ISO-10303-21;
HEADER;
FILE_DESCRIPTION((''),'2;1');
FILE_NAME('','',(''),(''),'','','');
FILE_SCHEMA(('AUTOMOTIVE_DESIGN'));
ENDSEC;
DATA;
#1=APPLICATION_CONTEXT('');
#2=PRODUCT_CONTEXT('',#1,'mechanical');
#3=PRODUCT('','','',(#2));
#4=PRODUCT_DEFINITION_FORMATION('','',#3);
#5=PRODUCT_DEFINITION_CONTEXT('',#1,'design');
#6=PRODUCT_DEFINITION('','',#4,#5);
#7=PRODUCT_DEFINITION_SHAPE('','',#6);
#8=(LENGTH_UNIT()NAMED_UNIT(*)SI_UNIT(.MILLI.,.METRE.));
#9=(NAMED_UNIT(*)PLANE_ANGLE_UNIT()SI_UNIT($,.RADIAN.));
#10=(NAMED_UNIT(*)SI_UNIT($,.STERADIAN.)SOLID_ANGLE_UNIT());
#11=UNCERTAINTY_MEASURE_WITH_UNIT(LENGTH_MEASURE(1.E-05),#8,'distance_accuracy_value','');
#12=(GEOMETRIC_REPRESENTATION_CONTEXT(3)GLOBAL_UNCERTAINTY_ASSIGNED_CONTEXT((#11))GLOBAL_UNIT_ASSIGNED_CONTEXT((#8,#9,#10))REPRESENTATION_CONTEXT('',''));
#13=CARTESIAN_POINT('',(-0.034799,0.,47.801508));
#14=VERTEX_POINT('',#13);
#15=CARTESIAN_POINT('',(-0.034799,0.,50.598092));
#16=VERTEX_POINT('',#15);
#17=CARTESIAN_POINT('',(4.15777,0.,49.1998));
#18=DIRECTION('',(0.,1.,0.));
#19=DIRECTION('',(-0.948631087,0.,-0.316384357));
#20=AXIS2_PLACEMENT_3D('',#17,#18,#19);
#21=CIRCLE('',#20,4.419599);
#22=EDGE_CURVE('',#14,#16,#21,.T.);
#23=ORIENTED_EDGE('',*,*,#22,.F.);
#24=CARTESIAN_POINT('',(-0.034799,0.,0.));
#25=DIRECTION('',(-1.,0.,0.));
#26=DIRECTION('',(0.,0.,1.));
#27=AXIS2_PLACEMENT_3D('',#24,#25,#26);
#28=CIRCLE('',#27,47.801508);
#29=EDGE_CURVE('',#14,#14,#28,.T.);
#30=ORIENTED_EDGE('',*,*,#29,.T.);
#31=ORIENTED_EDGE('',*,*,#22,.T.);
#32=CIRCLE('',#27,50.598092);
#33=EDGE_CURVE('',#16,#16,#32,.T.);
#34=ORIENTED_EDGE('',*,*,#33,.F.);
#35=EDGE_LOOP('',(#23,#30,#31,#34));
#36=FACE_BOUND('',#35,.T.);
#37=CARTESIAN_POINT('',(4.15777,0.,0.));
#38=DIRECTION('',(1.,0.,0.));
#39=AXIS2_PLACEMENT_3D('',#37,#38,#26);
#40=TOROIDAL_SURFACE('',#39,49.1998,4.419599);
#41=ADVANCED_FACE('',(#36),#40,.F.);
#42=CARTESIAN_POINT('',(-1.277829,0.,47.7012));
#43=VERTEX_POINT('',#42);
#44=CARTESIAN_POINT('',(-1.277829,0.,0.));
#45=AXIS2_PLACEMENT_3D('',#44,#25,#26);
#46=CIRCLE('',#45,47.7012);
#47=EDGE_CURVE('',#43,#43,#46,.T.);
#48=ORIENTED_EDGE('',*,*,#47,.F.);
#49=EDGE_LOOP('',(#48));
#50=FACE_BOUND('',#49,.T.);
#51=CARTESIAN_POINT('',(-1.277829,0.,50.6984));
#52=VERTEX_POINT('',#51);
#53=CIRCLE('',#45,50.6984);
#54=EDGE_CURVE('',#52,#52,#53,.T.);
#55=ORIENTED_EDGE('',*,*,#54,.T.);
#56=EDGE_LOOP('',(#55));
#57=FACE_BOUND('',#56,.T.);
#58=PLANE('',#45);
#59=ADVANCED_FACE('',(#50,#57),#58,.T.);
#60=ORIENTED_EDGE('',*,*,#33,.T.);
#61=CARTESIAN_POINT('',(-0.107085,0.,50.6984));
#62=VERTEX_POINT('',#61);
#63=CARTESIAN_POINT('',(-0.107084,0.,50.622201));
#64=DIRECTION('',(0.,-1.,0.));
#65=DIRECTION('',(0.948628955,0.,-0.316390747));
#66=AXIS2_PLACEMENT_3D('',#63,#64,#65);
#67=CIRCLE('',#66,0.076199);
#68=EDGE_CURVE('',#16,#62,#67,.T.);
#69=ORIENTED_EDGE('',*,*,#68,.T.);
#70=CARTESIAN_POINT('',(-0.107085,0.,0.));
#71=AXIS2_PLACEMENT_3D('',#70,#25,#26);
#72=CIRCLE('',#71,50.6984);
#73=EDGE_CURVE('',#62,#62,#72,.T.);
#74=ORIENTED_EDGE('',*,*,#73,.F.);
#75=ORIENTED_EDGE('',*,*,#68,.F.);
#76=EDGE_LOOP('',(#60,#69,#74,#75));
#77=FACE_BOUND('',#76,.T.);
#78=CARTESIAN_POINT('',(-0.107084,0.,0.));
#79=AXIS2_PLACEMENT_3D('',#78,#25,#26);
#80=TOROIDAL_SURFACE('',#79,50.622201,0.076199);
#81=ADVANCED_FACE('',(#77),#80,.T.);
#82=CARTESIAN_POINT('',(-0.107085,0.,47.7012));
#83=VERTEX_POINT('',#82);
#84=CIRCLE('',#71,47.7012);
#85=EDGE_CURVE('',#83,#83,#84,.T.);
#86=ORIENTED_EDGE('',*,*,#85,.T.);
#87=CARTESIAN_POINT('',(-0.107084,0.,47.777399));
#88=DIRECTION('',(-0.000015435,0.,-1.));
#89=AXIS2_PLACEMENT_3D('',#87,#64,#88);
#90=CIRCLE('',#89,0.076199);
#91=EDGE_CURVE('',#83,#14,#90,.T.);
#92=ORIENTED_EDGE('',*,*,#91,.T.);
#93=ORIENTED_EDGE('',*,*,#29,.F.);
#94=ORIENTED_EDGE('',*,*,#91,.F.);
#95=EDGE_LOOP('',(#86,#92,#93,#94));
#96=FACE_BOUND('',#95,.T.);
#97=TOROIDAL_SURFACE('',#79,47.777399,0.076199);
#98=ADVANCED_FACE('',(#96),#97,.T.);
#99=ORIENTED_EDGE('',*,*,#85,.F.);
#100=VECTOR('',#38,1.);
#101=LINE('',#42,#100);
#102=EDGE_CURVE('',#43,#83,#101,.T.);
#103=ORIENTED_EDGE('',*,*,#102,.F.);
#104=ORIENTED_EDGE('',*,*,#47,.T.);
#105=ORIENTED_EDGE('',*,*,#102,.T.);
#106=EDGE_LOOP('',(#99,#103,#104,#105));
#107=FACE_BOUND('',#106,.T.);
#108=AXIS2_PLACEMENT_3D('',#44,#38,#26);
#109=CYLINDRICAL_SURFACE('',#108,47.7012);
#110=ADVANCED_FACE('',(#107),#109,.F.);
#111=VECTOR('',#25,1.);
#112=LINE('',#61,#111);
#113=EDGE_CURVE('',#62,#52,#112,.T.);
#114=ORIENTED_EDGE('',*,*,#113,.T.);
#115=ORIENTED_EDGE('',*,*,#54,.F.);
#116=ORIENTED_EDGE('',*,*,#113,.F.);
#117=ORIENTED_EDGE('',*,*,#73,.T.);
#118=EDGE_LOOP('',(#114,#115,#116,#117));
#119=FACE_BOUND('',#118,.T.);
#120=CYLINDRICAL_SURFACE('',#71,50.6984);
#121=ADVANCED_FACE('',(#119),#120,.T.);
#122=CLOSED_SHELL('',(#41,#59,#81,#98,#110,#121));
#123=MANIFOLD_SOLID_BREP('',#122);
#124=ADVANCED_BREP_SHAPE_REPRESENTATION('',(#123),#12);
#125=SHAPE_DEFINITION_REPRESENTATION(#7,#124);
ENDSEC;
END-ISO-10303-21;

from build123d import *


with BuildPart() as f1:
    # F0 (on Front) → F1 (revolve)
    with BuildSketch(Plane.XZ):
        with BuildLine():
            ThreePointArc((-0.034799, 50.598092), (-0.045264, 50.66675), (-0.107085, 50.6984))
            Line((-0.107085, 50.6984), (-1.277829, 50.6984))
            Line((-1.277829, 50.6984), (-1.277829, 47.7012))
            Line((-1.277829, 47.7012), (-0.107085, 47.7012))
            ThreePointArc((-0.107085, 47.7012), (-0.045264, 47.73285), (-0.034799, 47.801508))
            ThreePointArc((-0.034799, 47.801508), (-0.261829, 49.1998), (-0.034799, 50.598092))
        make_face()
    revolve(axis=Axis((-3.079263, 0, 0), (-1, 0, 0)))


solid = f1.part
